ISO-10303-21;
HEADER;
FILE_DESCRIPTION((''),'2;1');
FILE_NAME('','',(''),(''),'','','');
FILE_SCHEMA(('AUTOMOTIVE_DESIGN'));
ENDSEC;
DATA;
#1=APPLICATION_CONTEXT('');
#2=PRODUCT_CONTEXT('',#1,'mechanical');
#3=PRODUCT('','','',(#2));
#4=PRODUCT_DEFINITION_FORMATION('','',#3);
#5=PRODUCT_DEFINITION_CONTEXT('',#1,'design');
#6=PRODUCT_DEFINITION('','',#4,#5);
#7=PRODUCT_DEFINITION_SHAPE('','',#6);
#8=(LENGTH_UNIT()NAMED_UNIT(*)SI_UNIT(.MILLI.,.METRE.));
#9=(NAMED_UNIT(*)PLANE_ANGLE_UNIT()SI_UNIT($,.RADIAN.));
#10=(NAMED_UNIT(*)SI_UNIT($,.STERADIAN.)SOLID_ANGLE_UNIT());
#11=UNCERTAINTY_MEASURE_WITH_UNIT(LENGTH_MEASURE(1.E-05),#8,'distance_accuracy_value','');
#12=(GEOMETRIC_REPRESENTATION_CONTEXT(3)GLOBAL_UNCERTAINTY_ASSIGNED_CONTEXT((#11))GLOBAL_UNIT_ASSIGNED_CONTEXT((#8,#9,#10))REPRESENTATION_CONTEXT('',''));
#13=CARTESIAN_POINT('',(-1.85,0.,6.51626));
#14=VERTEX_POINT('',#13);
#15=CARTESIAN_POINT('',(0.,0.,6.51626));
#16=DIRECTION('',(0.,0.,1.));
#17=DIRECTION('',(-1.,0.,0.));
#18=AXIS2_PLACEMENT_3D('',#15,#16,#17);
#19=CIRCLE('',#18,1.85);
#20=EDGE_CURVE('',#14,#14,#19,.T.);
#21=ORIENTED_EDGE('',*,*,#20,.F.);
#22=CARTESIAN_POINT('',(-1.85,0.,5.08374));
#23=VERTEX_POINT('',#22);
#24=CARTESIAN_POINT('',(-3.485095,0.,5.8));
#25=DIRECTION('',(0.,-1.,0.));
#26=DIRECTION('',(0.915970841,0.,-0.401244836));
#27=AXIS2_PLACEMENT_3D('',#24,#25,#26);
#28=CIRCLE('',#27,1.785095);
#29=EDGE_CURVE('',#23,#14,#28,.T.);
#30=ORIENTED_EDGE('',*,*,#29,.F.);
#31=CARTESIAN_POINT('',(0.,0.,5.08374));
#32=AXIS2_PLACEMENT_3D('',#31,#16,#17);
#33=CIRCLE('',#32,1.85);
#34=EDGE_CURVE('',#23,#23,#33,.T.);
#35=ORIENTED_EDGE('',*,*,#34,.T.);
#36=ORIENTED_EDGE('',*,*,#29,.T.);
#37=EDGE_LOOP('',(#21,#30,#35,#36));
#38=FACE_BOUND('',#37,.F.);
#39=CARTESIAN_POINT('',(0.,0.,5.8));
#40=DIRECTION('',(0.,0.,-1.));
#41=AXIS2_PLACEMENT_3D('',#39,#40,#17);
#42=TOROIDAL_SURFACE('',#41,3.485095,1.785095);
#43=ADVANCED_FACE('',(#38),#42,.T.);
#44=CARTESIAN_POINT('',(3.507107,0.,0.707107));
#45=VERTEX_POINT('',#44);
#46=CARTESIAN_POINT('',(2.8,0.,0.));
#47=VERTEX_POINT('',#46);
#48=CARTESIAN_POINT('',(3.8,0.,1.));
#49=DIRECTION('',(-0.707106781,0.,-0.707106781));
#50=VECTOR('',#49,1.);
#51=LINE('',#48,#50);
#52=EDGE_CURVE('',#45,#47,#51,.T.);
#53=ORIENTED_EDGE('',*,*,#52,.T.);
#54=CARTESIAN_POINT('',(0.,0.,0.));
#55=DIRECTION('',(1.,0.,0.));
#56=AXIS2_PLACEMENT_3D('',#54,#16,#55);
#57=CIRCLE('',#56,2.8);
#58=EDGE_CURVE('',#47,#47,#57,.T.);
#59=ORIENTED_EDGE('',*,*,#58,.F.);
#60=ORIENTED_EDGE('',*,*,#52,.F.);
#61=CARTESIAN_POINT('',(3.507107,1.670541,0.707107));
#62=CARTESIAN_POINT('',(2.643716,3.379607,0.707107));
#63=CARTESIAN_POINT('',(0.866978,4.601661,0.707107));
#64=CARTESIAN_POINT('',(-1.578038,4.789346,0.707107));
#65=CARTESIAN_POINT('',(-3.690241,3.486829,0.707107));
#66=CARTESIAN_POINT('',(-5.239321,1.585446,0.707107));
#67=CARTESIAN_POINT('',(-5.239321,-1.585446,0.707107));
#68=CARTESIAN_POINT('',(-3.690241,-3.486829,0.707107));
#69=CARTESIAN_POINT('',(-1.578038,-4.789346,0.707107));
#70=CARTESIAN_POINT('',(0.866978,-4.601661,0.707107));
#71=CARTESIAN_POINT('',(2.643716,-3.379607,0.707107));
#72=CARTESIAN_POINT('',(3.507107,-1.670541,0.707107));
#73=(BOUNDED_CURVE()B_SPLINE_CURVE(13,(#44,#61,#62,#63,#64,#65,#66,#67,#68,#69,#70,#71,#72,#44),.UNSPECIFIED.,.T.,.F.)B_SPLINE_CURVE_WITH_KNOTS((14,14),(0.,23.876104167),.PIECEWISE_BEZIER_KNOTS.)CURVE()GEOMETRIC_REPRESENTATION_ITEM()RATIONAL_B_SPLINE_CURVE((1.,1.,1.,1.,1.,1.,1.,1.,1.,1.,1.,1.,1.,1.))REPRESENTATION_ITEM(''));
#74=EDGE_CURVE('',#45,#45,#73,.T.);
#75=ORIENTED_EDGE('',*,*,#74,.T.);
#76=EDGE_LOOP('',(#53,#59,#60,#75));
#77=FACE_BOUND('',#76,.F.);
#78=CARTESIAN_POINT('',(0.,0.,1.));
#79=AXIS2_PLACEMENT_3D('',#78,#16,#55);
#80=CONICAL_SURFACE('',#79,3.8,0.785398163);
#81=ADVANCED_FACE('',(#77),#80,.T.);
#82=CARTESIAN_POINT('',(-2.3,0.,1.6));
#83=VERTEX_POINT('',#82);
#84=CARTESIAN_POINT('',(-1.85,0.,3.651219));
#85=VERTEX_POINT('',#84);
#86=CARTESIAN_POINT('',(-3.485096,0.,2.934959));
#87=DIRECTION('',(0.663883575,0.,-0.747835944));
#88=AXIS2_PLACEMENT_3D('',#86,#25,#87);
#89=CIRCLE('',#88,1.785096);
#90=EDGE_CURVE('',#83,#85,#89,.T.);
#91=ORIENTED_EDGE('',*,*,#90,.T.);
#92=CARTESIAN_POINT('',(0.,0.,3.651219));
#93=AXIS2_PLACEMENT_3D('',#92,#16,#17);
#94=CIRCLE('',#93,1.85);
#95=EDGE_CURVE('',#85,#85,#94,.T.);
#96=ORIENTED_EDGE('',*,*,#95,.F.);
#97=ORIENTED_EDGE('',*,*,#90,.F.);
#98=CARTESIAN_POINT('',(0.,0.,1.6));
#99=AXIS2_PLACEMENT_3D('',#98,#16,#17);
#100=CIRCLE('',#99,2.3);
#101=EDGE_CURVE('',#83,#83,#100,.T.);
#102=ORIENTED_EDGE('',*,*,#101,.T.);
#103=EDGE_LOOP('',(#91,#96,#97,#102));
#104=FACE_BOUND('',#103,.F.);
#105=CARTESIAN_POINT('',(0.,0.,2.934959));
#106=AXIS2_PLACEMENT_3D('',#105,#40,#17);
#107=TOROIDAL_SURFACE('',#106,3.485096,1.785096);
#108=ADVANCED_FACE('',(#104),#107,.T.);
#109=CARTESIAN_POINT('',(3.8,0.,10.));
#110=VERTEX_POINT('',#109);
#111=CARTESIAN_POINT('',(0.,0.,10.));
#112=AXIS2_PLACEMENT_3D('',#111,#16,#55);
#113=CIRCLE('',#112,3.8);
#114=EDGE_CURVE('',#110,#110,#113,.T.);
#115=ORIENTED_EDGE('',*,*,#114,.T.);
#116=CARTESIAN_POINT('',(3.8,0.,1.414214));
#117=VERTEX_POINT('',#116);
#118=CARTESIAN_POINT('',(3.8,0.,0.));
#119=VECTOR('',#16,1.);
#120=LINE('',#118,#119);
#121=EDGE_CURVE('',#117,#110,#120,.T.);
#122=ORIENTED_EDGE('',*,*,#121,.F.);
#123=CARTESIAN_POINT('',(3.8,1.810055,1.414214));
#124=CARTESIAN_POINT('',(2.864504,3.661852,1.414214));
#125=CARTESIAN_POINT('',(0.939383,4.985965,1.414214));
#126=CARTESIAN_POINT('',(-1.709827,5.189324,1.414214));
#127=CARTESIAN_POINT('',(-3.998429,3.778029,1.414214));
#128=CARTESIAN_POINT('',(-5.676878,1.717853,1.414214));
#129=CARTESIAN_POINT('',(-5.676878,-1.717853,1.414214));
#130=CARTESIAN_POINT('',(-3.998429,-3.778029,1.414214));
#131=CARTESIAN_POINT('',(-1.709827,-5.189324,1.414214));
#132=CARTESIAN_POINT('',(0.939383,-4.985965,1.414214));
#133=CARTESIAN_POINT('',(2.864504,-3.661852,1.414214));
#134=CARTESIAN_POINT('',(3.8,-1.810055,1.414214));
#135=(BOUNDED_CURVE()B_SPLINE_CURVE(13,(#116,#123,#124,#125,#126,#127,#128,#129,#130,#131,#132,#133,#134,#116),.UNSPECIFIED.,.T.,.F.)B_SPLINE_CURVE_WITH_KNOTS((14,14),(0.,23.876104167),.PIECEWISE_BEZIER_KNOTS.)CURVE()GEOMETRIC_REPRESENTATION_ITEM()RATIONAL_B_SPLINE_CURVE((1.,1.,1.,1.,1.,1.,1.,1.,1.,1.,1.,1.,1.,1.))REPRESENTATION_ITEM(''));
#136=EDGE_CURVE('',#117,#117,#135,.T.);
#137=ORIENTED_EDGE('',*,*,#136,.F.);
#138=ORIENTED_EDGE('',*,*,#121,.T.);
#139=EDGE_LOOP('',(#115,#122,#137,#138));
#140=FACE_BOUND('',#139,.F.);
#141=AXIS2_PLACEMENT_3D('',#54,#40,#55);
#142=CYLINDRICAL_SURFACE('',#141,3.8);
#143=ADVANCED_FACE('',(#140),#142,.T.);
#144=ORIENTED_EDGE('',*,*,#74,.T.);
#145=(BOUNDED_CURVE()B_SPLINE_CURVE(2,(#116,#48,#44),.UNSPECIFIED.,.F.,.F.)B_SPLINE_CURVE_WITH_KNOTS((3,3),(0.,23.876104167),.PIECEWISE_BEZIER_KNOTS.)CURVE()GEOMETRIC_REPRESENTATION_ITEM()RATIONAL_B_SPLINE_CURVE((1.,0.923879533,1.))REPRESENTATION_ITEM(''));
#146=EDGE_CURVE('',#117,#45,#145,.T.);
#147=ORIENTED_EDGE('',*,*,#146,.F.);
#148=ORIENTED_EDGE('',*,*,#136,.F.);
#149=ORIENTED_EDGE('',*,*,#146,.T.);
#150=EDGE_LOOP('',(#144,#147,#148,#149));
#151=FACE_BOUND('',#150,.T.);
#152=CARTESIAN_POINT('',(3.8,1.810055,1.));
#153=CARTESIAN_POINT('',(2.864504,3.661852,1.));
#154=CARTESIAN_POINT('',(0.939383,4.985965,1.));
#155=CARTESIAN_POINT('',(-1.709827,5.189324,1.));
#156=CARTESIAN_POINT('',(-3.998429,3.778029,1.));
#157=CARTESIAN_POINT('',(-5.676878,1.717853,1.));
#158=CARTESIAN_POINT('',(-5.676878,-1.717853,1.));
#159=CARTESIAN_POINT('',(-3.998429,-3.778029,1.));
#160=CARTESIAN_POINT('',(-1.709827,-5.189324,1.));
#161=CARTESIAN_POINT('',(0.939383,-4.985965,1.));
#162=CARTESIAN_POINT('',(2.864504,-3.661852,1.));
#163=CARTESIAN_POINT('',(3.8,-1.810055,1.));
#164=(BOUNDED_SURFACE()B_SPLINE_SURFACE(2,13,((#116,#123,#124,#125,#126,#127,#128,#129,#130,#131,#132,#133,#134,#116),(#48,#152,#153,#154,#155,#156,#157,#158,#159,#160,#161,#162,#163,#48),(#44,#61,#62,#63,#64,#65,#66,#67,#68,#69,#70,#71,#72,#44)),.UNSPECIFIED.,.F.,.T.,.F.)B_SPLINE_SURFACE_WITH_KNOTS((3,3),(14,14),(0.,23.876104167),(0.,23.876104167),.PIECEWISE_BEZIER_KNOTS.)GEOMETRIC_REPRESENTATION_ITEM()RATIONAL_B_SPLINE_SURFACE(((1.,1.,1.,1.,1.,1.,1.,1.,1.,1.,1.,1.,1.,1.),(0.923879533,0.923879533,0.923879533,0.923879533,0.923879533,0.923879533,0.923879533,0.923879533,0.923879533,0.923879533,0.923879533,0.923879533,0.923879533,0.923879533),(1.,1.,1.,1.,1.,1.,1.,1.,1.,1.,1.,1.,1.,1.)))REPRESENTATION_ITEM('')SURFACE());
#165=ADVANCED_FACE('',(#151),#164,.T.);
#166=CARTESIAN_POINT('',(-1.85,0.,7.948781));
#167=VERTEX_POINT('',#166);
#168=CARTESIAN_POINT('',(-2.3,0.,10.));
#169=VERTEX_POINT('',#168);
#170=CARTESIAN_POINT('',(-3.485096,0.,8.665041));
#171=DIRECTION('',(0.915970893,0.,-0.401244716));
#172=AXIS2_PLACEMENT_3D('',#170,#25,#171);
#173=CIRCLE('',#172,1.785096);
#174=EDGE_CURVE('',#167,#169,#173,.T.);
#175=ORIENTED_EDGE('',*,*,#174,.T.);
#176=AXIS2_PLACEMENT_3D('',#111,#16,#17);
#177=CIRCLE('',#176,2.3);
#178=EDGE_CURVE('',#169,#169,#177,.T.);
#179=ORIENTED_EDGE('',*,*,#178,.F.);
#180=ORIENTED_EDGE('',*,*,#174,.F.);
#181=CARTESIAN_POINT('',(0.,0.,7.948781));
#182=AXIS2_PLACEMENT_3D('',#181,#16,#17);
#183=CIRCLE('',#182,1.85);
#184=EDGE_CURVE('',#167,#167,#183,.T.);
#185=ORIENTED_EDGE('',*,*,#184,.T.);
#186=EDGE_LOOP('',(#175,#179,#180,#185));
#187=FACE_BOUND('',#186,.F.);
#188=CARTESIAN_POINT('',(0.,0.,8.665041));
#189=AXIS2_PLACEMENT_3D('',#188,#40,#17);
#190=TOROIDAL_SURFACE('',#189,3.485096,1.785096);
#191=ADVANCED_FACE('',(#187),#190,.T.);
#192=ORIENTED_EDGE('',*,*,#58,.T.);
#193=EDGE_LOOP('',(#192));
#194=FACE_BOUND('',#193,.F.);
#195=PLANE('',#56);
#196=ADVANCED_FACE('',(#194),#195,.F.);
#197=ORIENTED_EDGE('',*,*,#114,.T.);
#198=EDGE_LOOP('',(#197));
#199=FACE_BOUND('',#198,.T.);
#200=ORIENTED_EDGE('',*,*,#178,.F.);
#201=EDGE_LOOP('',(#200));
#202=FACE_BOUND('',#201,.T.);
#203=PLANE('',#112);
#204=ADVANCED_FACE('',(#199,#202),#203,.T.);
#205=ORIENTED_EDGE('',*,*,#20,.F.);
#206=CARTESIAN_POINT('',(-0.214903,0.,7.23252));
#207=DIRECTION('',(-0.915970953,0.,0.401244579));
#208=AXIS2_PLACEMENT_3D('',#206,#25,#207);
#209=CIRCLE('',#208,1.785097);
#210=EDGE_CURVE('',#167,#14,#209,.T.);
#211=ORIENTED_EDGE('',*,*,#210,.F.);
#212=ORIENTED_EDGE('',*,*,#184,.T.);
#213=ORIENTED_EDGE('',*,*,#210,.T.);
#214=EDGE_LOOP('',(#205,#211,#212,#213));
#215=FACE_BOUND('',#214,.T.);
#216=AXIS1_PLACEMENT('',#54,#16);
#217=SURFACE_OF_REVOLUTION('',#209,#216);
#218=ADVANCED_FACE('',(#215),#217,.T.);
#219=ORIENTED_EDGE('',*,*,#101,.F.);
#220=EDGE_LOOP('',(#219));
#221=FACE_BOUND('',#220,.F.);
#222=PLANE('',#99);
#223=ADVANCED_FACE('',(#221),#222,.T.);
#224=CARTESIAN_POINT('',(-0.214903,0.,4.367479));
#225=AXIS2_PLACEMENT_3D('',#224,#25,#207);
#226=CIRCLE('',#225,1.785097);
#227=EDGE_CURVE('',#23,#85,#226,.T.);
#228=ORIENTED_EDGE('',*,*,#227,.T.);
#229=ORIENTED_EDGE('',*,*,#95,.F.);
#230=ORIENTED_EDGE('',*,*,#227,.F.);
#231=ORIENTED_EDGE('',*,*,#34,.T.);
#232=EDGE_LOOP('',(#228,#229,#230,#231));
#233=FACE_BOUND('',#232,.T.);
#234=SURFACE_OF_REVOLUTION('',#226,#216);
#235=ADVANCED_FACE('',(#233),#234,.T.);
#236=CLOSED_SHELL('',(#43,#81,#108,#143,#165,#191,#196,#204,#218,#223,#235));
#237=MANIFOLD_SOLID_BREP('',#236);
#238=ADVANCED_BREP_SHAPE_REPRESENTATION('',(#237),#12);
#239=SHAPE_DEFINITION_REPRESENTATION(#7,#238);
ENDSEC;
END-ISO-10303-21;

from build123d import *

# Parameters (mm, degrees)
SKETCH028_R     = 3.8
PAD007_DEPTH    = 10
CHAMFER003_SIZE = 1
FILLET008_R     = 1


with BuildPart() as part:
    # Sketch028 → Pad007 (new body)
    with BuildSketch(Plane.XY):
        Circle(SKETCH028_R)
    extrude(amount=PAD007_DEPTH)

    # Sketch029 → Groove002 (revolve, cut)
    with BuildSketch(Plane.XZ):
        with BuildLine():
            Line((-2.3, 10), (0, 10))
            Line((0, 1.6), (0, 10))
            Line((0, 1.6), (-2.3, 1.6))
            ThreePointArc((-2.3, 1.6), (-1.741466, 2.552438), (-1.85, 3.651219))
            ThreePointArc((-1.85, 5.08374), (-2, 4.367479), (-1.85, 3.651219))
            ThreePointArc((-1.85, 5.08374), (-1.7, 5.8), (-1.85, 6.51626))
            ThreePointArc((-1.85, 7.948781), (-2, 7.232521), (-1.85, 6.51626))
            ThreePointArc((-1.85, 7.948781), (-1.741466, 9.047562), (-2.3, 10))
        make_face()
    revolve(axis=Axis((0, 0, 0), (0, 0, 1)), mode=Mode.SUBTRACT)

    # Chamfer003
    chamfer003_edges = [part.edges().sort_by_distance(p)[0] for p in [
        (-3.8, 0, 0),
    ]]
    chamfer(chamfer003_edges, length=CHAMFER003_SIZE)

    # Fillet008
    fillet008_edges = [part.edges().sort_by_distance(p)[0] for p in [
        (-3.8, 0, 1),
    ]]
    fillet(fillet008_edges, radius=FILLET008_R)


solid = part.part
